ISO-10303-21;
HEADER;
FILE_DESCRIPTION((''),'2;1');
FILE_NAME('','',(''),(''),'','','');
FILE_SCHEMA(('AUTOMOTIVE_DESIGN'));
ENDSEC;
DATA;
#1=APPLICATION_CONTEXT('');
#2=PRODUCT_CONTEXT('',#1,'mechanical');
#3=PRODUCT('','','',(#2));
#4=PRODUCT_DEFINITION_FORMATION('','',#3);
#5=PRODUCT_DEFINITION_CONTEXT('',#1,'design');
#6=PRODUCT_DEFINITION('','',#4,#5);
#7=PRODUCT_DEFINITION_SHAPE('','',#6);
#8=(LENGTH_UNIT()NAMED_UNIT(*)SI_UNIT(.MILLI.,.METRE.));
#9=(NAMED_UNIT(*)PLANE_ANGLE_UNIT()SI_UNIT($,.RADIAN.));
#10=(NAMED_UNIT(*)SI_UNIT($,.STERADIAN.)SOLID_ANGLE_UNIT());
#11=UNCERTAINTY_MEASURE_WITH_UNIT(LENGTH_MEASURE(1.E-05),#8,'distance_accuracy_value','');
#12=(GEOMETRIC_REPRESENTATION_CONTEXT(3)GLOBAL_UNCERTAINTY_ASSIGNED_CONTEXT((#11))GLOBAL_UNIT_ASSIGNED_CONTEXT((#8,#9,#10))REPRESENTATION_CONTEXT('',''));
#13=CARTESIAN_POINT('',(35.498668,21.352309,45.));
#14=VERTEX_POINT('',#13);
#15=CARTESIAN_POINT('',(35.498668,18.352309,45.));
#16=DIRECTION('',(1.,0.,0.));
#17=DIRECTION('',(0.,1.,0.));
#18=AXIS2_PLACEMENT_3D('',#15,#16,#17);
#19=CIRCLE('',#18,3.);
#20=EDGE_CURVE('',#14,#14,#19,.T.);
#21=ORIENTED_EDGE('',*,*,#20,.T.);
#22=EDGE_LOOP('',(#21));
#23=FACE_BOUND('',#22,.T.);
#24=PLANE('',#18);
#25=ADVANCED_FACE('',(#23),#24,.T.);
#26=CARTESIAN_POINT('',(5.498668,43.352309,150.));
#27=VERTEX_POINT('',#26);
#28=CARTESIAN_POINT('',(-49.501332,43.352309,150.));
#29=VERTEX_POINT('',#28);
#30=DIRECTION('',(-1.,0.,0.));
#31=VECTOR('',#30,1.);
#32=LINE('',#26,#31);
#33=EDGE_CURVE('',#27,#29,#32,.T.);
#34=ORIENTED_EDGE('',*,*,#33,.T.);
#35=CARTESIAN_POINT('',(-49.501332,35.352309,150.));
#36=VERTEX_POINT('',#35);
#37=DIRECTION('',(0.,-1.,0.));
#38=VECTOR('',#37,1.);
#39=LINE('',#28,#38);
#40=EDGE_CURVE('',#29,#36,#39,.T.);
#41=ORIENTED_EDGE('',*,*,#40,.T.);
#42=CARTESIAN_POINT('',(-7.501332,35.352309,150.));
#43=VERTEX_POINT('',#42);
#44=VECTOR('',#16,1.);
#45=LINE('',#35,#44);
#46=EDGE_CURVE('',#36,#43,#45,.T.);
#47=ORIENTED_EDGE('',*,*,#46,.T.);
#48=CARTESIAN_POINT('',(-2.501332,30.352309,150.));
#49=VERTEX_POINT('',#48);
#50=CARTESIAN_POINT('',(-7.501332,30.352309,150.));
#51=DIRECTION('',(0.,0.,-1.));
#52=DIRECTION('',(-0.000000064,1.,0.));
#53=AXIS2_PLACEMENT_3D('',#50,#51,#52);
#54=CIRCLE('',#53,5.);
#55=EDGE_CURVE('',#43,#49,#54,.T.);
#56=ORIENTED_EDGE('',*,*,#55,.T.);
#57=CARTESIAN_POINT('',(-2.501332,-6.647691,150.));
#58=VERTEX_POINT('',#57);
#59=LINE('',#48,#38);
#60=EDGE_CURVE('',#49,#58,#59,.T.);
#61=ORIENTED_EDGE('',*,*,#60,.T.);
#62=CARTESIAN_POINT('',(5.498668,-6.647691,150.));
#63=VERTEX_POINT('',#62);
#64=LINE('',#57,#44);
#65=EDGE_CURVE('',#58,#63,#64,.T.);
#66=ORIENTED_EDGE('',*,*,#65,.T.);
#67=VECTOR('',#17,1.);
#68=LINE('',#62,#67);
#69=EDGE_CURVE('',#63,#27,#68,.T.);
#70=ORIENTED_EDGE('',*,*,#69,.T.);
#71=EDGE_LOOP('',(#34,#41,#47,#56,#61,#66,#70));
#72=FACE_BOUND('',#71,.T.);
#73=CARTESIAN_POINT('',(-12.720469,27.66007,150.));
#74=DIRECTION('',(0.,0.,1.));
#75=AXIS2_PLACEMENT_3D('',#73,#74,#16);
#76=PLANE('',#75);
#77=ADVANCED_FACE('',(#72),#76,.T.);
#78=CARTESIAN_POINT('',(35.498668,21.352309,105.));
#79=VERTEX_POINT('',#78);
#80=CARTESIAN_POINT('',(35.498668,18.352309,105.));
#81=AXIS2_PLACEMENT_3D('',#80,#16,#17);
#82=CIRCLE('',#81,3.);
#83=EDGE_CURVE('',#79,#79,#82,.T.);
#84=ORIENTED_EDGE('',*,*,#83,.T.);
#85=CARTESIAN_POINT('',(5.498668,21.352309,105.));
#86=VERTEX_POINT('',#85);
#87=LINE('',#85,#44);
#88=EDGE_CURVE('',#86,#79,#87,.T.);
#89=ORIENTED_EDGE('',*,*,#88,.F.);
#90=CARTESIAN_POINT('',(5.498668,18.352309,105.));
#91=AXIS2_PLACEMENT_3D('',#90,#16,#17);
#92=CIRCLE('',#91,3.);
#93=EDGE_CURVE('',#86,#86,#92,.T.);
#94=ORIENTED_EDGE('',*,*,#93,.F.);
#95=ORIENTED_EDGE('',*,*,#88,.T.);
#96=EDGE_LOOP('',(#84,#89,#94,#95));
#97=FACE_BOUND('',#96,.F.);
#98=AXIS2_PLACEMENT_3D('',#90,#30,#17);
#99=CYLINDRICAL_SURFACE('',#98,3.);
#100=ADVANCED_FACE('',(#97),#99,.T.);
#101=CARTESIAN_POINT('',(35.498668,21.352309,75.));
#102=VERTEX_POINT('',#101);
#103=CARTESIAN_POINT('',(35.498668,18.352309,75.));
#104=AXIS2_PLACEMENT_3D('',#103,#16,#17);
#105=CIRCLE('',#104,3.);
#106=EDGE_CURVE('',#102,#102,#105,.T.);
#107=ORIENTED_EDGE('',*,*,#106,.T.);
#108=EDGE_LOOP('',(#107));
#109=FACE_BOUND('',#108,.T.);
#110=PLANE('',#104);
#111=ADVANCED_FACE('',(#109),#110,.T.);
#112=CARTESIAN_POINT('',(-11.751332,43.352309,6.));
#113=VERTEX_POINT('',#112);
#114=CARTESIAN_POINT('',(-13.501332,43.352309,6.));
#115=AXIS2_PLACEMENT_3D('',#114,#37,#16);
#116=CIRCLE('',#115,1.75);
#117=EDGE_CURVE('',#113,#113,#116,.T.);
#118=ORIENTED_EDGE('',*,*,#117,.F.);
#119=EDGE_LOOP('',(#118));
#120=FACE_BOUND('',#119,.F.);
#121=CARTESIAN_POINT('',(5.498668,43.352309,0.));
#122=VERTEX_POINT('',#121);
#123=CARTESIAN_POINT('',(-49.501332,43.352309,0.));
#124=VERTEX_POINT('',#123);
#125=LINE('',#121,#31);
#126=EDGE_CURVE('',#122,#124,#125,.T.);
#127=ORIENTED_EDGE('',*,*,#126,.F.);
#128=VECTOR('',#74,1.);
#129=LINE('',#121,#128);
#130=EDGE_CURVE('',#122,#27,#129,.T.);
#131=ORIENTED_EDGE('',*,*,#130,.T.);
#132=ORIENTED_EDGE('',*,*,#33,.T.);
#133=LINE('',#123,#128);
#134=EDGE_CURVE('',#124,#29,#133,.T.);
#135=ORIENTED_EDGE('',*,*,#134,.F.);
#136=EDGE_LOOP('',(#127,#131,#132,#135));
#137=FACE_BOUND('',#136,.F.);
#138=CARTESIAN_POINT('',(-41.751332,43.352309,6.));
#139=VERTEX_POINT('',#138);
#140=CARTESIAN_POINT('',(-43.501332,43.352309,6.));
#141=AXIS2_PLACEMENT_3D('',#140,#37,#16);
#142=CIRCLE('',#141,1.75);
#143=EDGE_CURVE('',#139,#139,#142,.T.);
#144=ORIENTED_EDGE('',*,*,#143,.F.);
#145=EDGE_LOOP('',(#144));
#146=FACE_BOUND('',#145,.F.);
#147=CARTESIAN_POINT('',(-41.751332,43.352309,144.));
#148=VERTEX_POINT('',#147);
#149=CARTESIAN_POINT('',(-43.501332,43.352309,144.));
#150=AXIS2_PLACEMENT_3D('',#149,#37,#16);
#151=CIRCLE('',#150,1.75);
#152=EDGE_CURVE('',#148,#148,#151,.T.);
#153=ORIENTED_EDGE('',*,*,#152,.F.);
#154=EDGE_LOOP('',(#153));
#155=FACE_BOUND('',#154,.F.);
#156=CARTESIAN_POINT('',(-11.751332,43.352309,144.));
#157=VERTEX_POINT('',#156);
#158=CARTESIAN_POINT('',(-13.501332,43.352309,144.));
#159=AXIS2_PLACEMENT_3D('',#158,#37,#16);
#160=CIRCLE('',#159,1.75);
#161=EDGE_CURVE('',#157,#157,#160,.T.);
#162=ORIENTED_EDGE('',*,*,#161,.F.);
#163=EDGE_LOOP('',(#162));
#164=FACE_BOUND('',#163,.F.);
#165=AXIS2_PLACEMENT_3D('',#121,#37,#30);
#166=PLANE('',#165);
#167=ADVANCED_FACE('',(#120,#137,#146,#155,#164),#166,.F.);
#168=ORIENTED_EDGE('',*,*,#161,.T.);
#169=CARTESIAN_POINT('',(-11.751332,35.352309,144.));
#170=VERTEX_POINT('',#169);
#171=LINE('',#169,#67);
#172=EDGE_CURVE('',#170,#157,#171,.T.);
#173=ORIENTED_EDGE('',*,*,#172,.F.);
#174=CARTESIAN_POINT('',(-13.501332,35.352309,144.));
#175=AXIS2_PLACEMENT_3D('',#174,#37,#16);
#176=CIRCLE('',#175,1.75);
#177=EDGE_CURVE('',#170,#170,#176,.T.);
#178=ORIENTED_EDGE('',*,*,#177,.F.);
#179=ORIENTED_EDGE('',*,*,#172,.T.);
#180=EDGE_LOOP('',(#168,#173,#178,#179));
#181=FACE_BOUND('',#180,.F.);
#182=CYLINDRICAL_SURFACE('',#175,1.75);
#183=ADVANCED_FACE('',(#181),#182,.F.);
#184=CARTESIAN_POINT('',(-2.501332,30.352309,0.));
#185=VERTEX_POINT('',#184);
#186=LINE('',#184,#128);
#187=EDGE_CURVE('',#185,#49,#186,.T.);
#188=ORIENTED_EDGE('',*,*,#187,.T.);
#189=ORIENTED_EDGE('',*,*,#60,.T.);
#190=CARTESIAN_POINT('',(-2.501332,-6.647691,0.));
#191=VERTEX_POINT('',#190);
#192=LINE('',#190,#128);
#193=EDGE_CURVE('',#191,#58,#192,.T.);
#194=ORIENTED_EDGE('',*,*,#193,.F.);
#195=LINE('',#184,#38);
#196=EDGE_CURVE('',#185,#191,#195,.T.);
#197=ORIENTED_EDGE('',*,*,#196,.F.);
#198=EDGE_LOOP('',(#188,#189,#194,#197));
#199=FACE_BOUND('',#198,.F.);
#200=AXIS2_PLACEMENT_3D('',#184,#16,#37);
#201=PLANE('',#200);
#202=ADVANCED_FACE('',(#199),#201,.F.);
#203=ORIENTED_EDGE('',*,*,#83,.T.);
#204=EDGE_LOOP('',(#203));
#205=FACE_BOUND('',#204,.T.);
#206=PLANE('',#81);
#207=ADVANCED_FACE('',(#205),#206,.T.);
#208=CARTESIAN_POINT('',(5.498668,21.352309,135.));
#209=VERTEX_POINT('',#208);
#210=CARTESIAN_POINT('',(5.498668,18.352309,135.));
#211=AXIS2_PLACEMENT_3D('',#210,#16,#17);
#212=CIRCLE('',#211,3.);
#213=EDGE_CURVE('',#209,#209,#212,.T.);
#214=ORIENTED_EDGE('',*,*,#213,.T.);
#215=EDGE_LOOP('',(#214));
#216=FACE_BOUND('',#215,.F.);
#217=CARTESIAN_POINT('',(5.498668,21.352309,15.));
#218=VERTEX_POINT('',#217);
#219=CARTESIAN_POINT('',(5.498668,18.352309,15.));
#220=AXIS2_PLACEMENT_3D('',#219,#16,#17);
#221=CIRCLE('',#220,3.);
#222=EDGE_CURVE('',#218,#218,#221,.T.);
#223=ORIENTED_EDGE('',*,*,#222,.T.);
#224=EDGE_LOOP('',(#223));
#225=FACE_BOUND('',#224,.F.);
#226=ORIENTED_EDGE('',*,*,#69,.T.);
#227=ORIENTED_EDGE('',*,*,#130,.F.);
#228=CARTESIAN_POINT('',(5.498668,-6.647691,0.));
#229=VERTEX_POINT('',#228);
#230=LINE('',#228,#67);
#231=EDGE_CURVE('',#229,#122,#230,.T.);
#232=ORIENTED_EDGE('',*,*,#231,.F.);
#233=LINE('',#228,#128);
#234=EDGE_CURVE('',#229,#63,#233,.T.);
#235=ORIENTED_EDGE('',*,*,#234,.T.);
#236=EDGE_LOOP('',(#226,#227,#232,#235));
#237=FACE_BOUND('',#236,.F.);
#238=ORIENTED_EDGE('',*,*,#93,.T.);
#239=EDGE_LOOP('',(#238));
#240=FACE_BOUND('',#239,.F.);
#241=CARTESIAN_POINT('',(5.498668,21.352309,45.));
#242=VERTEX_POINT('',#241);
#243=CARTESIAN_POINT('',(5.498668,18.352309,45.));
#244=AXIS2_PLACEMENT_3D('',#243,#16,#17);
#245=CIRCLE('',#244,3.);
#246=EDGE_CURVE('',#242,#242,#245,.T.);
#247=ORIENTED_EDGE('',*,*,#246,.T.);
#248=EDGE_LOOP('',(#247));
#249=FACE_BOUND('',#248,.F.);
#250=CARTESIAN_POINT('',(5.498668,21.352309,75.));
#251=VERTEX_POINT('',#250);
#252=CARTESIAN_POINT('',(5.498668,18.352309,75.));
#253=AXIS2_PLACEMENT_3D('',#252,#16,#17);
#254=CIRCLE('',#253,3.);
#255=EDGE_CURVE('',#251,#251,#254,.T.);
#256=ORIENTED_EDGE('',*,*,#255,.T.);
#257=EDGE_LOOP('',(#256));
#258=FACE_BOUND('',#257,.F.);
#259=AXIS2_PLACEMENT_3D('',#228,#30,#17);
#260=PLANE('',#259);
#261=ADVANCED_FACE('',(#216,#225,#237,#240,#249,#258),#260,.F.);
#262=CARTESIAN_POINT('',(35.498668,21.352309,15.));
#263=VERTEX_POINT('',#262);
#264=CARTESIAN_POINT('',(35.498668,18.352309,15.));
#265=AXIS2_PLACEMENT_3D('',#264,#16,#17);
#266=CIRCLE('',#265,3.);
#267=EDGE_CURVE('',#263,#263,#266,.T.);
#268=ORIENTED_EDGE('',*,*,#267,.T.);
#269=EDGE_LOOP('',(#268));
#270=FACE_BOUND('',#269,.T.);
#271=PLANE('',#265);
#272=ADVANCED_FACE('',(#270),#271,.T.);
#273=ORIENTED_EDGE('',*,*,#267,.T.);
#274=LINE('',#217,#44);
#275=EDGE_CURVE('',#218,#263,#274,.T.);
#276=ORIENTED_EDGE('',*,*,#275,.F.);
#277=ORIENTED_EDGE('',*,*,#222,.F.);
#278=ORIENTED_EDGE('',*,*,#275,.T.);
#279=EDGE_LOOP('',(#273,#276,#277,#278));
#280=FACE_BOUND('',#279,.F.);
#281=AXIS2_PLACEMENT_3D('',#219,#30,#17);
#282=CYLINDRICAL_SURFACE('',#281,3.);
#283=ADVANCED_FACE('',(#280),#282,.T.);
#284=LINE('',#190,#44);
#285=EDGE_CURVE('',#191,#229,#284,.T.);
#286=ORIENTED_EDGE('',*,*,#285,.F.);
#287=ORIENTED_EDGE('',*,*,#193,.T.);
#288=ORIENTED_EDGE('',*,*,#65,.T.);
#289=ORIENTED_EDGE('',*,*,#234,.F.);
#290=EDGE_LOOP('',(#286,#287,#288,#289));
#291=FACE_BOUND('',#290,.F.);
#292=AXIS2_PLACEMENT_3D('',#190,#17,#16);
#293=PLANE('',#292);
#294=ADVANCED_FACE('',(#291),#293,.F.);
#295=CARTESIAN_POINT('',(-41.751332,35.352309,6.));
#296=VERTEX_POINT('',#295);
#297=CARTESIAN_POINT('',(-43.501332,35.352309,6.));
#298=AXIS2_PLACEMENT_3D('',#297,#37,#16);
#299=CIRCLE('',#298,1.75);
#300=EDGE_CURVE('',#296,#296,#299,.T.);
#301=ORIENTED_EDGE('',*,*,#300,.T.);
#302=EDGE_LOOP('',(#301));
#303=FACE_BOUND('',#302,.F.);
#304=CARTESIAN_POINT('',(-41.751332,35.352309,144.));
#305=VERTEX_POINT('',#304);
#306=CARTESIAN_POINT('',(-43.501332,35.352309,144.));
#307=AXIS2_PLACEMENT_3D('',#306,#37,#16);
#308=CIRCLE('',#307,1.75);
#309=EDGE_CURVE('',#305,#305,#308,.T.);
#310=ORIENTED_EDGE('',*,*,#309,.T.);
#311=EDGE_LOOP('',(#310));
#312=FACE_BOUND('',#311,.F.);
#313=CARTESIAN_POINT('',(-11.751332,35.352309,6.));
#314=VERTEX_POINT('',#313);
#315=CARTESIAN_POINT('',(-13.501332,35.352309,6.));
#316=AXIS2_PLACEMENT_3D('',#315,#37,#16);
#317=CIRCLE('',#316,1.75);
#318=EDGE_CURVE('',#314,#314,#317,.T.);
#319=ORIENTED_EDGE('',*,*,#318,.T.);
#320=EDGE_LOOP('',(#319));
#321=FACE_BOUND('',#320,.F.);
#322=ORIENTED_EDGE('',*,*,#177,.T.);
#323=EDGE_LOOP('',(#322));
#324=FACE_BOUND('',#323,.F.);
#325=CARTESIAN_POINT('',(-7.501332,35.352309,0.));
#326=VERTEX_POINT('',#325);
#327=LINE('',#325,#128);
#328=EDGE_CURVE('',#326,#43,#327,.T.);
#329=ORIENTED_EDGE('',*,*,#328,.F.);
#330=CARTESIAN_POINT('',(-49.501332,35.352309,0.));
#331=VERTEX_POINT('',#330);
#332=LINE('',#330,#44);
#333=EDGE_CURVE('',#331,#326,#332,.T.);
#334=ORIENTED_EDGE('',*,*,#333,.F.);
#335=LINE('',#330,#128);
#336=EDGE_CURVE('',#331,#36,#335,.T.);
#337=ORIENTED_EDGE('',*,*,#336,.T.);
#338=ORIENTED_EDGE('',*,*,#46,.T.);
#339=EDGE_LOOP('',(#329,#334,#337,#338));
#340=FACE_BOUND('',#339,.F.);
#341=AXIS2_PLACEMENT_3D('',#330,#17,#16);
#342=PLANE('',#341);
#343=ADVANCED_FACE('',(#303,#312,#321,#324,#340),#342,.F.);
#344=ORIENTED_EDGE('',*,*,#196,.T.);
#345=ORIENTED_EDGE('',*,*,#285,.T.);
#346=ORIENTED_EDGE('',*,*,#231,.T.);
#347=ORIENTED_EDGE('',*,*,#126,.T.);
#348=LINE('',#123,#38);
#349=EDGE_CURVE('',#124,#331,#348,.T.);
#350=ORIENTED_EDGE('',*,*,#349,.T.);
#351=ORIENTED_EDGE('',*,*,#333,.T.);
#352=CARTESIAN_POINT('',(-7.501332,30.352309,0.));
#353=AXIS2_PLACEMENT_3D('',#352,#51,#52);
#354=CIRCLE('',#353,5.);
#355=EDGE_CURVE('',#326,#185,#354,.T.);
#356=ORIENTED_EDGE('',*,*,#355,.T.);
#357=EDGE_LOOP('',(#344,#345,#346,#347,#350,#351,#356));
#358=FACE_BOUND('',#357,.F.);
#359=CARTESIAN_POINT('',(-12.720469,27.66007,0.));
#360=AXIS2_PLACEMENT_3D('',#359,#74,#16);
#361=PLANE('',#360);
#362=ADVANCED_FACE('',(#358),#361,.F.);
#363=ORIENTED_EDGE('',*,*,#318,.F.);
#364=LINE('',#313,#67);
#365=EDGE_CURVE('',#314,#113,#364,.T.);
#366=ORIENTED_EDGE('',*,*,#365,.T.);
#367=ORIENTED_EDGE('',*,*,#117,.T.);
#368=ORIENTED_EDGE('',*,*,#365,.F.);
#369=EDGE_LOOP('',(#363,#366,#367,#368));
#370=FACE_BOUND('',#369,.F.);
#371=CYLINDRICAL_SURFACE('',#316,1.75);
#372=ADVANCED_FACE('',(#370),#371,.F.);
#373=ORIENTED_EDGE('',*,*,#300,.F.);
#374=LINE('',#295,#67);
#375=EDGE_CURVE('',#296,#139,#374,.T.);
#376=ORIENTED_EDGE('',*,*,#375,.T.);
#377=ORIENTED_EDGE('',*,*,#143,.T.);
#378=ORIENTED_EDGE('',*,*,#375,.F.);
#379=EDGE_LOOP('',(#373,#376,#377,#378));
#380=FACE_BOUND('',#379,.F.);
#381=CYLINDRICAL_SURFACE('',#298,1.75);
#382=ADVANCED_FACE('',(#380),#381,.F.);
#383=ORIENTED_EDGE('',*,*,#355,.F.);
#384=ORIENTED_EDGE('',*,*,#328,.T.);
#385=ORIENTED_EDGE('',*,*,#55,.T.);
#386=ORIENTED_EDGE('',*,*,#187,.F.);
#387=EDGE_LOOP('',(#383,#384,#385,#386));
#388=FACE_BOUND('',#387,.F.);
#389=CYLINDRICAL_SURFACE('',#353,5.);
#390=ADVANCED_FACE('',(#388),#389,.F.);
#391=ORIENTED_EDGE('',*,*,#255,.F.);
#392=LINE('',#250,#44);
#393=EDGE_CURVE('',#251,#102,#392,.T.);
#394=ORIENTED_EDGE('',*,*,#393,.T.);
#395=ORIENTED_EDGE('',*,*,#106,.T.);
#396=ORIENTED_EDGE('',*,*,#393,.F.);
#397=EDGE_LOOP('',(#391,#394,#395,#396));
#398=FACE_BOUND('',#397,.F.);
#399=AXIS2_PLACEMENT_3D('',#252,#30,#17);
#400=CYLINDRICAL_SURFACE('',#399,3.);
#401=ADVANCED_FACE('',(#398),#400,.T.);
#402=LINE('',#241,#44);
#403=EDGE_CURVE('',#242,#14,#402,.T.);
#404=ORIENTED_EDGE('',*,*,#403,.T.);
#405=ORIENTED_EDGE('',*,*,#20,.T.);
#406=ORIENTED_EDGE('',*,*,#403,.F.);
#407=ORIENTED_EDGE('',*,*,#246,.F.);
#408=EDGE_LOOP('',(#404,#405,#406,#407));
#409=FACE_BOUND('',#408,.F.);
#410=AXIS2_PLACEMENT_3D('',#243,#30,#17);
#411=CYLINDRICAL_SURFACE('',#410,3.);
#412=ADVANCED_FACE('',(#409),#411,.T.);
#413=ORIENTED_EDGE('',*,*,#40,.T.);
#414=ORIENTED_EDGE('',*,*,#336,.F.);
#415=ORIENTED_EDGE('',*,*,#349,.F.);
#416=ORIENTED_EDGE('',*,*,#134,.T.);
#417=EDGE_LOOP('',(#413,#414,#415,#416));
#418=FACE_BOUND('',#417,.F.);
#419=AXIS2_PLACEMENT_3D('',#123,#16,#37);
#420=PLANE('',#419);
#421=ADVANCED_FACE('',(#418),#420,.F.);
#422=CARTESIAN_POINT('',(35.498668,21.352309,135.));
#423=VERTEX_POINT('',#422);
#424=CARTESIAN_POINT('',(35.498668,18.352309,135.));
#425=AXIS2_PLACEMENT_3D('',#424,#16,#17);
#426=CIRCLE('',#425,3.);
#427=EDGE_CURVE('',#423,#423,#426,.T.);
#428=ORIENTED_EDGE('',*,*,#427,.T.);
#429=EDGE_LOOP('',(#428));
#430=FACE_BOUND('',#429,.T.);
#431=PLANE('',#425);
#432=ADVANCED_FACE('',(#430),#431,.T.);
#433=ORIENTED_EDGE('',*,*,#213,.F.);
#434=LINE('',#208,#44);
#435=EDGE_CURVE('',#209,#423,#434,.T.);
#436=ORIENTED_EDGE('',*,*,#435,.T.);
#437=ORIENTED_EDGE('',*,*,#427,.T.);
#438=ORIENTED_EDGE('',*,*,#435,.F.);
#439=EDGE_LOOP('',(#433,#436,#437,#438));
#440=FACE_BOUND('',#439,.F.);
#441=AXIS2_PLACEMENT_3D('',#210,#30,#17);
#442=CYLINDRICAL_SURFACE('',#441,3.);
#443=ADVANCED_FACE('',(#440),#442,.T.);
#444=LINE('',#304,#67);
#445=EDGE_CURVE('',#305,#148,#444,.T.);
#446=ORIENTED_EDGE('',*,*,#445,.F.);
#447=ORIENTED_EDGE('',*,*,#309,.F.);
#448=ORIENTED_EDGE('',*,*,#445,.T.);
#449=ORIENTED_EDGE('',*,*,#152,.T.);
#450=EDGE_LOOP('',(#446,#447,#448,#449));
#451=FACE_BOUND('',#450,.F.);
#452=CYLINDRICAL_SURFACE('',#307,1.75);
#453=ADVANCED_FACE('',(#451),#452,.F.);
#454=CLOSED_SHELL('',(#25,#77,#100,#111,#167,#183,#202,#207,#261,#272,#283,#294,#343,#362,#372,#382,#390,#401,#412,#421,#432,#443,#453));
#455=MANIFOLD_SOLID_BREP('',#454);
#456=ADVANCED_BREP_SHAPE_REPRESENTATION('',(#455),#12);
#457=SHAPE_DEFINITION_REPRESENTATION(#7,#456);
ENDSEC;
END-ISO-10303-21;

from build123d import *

# Parameters (mm, degrees)
F1_DEPTH = 150
F2_R     = 3
F3_DEPTH = 30
F4_R     = 1.75
F5_DEPTH = 8


with BuildPart() as f1:
    # F0 (on Top) → F1 (new body)
    with BuildSketch(Plane.XY):
        with BuildLine():
            Line((-49.501332, 43.352309), (-49.501332, 35.352309))
            Line((-49.501332, 35.352309), (-7.501332, 35.352309))
            ThreePointArc((-7.501332, 35.352309), (-3.965798, 33.887843), (-2.501332, 30.352309))
            Line((-2.501332, 30.352309), (-2.501332, -6.647691))
            Line((-2.501332, -6.647691), (5.498668, -6.647691))
            Line((5.498668, -6.647691), (5.498668, 43.352309))
            Line((5.498668, 43.352309), (-49.501332, 43.352309))
        make_face()
    extrude(amount=F1_DEPTH)

    # F2 (on face) → F3 (join)
    with BuildSketch(Plane.YZ.offset(5.498668)):
        with Locations((18.352309, 135)):
            Circle(F2_R)
        with Locations((18.352309, 105)):
            Circle(F2_R)
        with Locations((18.352309, 75)):
            Circle(F2_R)
        with Locations((18.352309, 45)):
            Circle(F2_R)
        with Locations((18.352309, 15)):
            Circle(F2_R)
    extrude(amount=F3_DEPTH)

    # F4 (on face) → F5 (cut)
    with BuildSketch(Plane.XZ.offset(-35.352309)):
        with Locations((-43.501332, 6)):
            Circle(F4_R)
        with Locations((-13.501332, 6)):
            Circle(F4_R)
        with Locations((-43.501332, 144)):
            Circle(F4_R)
        with Locations((-13.501332, 144)):
            Circle(F4_R)
    extrude(amount=-F5_DEPTH, mode=Mode.SUBTRACT)


solid = f1.part
